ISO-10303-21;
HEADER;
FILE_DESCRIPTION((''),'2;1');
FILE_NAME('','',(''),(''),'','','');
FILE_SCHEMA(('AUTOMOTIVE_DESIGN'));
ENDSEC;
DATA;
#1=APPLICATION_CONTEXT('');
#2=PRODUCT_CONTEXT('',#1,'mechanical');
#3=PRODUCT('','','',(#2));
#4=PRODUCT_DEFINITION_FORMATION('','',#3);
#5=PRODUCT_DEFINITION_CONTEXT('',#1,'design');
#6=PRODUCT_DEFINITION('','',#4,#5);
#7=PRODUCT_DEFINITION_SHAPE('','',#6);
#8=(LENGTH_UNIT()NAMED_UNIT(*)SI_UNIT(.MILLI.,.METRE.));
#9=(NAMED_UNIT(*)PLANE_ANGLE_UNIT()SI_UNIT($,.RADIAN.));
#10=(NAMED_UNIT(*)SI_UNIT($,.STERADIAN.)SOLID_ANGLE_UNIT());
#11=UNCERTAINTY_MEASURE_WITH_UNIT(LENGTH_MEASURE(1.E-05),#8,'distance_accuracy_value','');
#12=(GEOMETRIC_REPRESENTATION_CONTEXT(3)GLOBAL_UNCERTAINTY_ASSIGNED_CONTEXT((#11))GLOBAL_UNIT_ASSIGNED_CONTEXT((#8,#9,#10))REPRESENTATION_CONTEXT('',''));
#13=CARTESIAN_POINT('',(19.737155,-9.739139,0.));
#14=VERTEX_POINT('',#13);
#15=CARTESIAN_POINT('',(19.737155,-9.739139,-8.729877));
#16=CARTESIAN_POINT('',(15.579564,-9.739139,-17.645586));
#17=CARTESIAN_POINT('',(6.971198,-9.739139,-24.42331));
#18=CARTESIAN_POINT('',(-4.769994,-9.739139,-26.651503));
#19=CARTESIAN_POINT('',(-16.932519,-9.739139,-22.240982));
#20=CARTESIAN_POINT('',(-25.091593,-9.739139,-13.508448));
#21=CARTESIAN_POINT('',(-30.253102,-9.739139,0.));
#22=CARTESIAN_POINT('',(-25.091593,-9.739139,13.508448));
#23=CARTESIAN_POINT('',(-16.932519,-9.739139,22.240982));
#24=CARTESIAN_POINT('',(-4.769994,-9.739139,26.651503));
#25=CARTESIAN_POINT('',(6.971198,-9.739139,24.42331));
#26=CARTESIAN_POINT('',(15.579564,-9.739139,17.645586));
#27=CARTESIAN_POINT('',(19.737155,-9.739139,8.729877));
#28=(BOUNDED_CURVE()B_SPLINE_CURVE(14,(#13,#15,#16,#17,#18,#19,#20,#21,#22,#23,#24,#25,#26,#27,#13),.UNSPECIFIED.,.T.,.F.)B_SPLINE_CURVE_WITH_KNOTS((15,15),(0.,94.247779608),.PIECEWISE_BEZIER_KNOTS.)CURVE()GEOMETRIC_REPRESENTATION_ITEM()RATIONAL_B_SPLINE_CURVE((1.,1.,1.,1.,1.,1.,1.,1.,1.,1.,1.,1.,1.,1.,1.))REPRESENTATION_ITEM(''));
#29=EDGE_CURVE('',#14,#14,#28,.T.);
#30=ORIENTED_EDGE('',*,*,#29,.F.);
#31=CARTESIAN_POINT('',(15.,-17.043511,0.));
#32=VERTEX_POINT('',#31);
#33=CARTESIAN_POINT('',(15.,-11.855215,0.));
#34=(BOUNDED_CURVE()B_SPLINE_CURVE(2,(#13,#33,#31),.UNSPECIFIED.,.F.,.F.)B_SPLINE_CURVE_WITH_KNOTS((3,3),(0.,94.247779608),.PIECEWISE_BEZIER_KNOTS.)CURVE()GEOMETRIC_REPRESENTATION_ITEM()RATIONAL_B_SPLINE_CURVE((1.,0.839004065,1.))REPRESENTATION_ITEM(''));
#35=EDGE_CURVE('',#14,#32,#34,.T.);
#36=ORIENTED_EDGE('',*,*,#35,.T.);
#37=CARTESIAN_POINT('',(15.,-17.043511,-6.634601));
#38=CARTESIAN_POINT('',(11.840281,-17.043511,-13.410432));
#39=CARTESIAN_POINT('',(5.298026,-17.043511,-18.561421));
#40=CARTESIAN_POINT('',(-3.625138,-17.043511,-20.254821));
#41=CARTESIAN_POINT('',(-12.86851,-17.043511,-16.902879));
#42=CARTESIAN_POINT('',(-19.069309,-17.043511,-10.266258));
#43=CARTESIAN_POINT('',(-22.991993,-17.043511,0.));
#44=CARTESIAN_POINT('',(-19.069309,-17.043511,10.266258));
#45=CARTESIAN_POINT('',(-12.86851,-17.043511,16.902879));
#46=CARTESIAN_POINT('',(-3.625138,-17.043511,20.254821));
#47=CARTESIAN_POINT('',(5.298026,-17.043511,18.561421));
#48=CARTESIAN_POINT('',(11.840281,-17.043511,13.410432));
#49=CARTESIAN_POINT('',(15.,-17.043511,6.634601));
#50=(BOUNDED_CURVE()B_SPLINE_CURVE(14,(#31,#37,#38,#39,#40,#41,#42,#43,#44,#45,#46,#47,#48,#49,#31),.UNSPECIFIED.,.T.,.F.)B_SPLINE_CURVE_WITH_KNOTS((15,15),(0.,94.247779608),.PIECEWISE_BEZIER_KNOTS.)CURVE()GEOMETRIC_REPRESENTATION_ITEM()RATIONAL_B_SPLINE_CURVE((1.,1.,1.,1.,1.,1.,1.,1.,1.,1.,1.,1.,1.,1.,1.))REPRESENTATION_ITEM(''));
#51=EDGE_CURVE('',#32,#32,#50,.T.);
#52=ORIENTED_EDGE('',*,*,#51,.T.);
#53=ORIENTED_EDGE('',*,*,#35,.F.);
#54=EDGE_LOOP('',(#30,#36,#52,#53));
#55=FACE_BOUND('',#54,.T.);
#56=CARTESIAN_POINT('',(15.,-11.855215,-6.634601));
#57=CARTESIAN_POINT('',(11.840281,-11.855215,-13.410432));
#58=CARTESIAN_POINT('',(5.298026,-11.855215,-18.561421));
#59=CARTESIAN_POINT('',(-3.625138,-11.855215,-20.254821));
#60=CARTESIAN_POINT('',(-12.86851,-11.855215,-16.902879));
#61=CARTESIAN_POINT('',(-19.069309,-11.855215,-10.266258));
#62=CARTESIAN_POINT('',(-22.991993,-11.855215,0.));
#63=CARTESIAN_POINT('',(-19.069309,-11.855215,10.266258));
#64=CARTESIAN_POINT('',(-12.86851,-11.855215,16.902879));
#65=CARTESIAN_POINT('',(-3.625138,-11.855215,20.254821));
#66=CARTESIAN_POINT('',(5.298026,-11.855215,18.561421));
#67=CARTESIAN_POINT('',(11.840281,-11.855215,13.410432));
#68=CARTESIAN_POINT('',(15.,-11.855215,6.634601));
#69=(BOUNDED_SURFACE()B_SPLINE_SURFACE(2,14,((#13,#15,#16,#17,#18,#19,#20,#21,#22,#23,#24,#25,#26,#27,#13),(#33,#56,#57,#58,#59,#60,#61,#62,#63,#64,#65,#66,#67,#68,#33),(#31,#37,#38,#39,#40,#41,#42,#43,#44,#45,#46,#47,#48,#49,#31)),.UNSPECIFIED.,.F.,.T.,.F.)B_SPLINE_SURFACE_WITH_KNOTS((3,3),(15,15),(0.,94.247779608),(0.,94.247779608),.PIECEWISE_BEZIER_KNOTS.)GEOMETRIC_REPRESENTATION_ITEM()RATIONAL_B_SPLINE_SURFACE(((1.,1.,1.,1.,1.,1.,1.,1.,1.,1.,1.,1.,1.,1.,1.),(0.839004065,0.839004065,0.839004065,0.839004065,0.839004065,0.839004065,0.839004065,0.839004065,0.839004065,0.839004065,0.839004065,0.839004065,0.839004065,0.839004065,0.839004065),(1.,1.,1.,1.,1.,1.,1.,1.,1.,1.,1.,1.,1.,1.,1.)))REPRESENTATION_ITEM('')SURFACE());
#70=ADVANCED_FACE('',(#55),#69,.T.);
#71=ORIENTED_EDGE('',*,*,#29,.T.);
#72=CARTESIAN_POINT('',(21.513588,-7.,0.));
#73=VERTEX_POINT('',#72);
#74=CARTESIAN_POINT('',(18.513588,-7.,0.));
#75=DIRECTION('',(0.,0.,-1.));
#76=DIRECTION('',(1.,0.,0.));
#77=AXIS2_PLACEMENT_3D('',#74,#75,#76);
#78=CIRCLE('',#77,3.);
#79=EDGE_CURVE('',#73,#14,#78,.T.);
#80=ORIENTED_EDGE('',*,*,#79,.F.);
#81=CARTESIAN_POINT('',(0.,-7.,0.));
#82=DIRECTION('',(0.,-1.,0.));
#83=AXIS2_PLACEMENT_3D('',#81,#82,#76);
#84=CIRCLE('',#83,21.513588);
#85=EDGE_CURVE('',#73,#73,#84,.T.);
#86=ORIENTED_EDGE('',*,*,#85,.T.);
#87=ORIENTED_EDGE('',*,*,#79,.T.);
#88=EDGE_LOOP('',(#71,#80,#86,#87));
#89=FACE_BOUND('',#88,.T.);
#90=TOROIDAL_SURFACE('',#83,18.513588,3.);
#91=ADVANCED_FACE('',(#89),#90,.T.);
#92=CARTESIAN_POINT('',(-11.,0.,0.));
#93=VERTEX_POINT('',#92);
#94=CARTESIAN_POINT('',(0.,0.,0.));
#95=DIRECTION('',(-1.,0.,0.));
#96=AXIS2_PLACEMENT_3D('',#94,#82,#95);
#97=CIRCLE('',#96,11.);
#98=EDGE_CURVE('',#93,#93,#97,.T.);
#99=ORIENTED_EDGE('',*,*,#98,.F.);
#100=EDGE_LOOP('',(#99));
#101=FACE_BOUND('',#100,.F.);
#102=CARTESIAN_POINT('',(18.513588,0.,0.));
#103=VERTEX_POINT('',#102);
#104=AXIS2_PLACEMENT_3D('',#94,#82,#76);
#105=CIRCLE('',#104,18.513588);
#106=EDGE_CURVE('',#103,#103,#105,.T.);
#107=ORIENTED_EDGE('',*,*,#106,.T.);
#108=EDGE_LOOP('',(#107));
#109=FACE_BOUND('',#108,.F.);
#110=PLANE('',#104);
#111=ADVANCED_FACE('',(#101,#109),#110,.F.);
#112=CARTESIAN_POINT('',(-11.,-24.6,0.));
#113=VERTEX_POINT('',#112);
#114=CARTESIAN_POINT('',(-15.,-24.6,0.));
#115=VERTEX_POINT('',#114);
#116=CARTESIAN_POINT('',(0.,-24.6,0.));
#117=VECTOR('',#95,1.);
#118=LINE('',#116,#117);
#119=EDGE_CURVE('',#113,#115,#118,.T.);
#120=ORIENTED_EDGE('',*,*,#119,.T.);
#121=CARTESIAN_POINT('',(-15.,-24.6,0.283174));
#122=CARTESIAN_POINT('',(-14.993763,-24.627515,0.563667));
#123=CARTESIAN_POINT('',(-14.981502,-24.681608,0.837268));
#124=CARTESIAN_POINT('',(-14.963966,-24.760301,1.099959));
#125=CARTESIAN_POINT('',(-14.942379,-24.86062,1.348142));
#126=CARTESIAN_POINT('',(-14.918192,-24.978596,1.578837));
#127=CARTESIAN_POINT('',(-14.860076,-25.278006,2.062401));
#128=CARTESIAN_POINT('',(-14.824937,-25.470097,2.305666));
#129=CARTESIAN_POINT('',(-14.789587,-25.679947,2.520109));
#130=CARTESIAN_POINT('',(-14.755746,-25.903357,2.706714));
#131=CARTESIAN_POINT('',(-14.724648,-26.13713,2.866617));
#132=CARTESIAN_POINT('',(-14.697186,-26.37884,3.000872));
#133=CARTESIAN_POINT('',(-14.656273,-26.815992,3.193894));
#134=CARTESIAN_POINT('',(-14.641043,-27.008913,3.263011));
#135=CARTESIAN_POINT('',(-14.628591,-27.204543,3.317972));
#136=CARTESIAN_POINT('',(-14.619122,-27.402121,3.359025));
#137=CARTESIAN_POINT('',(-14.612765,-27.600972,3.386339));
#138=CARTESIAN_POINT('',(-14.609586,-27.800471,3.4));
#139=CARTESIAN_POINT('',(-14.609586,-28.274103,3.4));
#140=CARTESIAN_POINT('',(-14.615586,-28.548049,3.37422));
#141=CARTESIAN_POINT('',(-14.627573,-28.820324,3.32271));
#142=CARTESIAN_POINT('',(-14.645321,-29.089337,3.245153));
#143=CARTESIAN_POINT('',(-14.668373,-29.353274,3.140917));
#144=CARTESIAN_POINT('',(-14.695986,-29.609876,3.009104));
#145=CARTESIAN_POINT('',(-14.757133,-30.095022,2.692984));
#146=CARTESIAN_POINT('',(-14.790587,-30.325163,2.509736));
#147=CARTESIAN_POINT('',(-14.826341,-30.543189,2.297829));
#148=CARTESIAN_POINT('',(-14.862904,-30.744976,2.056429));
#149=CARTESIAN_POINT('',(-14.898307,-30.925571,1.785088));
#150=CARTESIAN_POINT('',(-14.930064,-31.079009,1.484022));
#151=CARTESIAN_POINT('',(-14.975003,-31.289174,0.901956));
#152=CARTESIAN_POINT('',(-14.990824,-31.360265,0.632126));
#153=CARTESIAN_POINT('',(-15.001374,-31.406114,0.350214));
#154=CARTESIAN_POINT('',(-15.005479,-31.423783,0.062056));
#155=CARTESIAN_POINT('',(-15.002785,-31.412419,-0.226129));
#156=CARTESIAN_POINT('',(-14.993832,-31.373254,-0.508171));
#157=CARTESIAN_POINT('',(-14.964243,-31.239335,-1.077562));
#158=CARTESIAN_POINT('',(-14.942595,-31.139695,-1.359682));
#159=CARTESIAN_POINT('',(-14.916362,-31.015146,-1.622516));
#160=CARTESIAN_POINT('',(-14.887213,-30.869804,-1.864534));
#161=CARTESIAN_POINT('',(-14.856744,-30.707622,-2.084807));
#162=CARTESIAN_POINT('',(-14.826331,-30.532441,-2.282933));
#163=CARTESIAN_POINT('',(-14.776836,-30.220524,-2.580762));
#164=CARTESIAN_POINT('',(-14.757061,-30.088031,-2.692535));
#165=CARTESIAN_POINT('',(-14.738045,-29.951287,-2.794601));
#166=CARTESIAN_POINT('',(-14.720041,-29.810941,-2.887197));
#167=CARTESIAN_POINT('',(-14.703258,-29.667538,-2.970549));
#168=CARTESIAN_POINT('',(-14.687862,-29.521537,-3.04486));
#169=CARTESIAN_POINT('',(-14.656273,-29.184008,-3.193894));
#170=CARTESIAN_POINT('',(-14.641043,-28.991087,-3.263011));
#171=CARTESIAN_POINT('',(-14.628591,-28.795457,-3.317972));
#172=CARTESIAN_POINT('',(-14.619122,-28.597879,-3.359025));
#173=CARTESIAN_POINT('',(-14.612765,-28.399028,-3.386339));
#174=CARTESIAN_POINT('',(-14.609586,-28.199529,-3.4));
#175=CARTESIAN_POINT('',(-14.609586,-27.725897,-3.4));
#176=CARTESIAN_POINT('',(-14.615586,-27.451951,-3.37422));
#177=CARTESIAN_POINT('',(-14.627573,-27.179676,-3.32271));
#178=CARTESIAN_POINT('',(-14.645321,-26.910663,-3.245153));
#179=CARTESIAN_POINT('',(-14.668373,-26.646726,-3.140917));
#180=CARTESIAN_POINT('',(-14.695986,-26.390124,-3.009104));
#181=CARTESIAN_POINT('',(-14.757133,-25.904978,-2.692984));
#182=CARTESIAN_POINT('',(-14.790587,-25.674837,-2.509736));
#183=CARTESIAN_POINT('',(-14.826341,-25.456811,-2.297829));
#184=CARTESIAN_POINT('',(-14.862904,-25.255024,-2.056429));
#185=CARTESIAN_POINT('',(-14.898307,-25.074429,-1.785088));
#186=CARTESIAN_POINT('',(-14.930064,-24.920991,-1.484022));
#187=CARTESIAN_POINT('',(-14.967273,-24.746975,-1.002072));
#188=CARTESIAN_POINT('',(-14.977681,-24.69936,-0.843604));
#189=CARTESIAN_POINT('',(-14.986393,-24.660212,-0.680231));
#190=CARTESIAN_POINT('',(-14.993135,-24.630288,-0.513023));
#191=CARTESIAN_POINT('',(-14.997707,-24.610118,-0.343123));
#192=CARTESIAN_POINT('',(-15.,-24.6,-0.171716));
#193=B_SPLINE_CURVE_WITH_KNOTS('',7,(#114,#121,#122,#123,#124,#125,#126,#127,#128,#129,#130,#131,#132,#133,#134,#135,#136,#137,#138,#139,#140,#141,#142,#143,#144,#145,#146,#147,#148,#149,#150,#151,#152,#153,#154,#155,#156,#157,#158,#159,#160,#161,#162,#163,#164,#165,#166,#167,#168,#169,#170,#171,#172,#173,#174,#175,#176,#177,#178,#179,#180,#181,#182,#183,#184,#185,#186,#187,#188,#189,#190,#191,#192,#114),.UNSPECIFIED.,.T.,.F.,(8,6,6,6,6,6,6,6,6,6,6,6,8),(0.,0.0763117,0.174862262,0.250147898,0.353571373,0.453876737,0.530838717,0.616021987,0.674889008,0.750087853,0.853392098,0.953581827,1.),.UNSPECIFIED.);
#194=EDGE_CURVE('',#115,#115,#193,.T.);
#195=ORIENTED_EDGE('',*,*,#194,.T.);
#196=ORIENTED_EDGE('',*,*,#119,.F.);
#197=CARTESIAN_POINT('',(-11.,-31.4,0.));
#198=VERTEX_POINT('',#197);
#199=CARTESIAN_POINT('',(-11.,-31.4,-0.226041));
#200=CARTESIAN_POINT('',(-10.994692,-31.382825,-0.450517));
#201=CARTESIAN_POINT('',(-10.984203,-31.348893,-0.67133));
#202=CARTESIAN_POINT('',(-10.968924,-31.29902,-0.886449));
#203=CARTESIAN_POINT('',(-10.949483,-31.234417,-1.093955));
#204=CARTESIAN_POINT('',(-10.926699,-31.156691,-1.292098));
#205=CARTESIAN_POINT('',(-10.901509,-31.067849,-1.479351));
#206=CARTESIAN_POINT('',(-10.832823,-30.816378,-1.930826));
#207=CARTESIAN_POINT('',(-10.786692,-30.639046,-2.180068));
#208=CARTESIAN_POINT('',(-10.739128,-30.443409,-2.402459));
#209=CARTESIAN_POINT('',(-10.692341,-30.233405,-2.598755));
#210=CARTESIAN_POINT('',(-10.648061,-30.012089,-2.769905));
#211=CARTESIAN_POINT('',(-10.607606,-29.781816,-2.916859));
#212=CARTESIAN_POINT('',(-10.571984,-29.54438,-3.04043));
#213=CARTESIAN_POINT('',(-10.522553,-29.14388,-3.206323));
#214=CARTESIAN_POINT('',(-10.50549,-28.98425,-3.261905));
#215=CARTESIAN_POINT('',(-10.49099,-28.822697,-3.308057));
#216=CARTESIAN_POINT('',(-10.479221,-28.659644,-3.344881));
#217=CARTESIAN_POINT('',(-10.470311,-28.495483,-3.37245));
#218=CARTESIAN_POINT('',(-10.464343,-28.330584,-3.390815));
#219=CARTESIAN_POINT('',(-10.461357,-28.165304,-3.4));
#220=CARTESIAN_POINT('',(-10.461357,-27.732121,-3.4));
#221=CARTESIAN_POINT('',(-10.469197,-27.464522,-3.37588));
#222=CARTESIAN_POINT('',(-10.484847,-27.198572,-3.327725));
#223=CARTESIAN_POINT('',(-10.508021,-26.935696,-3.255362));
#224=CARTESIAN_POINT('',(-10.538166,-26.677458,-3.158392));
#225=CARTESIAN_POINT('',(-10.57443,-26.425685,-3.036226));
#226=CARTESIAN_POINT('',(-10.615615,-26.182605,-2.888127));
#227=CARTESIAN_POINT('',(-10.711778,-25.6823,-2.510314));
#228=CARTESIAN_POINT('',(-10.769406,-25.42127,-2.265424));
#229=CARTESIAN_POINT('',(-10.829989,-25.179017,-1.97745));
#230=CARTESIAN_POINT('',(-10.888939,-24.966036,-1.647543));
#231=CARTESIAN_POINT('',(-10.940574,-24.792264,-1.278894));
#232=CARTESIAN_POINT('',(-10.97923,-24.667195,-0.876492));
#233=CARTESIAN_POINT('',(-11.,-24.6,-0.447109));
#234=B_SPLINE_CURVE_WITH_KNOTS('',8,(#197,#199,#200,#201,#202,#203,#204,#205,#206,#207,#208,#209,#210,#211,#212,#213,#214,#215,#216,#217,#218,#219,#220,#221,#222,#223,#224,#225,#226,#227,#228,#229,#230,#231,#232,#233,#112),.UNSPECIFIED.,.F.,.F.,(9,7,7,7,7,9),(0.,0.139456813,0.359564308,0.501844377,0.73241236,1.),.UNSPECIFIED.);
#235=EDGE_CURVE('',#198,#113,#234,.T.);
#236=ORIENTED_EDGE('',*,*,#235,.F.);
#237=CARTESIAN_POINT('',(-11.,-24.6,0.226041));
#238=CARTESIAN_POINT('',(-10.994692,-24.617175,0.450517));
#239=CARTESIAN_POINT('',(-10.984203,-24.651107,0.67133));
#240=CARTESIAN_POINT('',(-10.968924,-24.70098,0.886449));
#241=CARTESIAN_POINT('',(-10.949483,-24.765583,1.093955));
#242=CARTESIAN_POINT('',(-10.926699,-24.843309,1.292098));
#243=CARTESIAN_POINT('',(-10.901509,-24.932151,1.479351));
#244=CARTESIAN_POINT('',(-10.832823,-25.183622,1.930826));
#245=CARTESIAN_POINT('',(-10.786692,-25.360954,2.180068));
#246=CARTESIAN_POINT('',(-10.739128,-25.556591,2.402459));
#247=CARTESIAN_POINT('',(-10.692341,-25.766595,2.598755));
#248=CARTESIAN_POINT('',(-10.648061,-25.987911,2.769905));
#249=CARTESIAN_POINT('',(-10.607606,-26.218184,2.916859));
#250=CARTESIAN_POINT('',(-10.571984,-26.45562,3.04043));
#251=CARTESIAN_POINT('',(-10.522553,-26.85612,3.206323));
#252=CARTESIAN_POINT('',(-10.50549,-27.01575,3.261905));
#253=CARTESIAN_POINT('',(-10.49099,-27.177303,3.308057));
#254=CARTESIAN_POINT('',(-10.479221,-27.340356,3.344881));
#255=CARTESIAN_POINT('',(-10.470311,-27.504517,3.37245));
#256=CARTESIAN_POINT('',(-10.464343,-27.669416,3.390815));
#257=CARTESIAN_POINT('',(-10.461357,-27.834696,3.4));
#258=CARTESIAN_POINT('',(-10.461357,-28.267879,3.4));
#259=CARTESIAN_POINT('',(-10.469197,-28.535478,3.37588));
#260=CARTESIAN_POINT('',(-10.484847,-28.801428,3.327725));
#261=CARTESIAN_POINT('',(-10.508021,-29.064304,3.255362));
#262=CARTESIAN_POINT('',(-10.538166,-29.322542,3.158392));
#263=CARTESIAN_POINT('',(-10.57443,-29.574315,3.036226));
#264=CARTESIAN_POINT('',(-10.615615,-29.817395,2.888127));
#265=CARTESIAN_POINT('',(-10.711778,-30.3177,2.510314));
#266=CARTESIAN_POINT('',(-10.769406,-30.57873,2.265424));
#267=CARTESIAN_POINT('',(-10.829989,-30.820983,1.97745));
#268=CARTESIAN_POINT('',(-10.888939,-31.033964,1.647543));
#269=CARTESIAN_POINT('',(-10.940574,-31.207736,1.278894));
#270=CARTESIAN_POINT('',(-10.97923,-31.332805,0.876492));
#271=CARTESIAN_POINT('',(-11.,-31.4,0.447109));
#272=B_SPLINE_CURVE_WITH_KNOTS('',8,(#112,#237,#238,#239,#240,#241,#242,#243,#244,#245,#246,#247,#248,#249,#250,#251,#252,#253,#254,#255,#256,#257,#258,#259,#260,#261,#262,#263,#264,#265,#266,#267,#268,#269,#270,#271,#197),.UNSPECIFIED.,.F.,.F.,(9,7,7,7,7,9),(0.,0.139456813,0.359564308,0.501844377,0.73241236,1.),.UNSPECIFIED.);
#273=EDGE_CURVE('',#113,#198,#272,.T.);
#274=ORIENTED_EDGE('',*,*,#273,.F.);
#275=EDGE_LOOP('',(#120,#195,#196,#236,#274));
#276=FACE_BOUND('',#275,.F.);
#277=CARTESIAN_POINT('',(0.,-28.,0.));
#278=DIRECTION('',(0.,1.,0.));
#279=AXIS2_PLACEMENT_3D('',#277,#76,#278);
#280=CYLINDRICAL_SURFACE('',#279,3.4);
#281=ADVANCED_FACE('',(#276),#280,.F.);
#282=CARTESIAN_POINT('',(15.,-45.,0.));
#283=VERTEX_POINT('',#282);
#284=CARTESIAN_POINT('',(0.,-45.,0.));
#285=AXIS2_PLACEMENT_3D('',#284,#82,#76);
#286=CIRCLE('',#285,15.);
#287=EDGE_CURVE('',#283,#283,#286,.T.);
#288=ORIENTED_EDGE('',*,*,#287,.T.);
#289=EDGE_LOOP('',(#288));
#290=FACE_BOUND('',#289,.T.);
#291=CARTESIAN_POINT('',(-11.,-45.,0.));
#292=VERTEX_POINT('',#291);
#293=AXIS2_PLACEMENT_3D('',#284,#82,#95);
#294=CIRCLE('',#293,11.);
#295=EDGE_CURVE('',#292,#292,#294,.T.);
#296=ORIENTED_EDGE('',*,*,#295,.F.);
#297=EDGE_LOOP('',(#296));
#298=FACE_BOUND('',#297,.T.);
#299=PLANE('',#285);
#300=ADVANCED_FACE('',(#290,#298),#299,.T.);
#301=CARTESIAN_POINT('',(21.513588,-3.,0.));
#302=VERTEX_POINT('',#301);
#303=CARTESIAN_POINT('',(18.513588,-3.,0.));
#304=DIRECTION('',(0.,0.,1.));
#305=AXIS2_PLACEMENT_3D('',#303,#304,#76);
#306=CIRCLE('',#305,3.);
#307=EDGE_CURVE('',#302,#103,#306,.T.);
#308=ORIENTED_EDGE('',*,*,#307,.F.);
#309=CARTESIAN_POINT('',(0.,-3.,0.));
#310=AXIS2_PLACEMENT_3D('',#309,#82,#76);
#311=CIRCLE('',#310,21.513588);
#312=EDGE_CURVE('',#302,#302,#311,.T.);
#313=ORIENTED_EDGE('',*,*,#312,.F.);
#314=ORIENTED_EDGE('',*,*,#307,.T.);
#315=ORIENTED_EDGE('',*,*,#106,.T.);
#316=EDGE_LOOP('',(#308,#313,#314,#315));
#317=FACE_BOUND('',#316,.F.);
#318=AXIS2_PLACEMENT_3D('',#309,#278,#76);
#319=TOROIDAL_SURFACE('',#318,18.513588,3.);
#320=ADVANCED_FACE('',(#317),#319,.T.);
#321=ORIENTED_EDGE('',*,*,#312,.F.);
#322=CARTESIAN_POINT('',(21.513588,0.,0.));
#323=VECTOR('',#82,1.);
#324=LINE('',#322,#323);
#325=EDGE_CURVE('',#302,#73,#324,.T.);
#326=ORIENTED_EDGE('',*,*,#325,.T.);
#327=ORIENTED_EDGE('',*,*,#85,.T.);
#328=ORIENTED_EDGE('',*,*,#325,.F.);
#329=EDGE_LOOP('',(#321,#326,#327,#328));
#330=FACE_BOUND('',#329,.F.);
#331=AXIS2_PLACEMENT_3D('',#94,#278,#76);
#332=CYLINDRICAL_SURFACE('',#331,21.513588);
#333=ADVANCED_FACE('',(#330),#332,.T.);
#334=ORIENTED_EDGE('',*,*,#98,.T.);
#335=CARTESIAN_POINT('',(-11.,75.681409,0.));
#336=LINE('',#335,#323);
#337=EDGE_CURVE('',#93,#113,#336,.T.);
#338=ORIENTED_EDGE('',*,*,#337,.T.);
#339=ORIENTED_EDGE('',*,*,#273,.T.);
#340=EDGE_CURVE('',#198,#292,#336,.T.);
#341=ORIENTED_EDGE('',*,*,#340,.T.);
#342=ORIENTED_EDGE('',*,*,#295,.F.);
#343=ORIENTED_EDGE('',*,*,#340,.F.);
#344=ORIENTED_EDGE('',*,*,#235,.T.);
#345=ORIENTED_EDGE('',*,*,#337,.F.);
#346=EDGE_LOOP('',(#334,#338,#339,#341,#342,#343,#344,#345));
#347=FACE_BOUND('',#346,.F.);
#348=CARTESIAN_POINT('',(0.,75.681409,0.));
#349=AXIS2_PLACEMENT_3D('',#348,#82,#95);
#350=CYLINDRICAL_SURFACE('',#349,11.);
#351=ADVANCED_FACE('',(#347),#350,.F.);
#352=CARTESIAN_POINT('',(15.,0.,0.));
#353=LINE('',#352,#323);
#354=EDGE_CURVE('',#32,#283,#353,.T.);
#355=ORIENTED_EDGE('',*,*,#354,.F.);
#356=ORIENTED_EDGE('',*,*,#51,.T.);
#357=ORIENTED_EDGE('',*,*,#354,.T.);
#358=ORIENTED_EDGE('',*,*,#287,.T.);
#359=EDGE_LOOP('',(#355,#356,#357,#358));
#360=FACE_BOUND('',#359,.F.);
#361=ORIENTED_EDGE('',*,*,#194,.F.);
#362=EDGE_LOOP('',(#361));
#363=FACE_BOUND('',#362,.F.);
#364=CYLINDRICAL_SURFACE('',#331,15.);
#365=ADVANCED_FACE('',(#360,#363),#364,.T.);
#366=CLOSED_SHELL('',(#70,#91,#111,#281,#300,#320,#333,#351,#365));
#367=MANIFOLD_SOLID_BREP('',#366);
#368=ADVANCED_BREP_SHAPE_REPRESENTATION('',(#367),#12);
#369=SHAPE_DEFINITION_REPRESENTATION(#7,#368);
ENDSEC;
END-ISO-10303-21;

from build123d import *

# Parameters (mm, degrees)
F0_R     = 15
F1_DEPTH = 45
F2_R     = 21.5135879258
F3_DEPTH = 10
F4_D     = 22
F6_D     = 6.8
F6_DEPTH = 21.5145879258
F7_R     = 3
F8_R     = 8


with BuildPart() as f1:
    # F0 (on Front) → F1 (new body)
    with BuildSketch(Plane.XZ):
        Circle(F0_R)
    extrude(amount=F1_DEPTH)

    # F2 (on Front) → F3 (join)
    with BuildSketch(Plane.XZ):
        Circle(F2_R)
    extrude(amount=F3_DEPTH)

    # F4 (through all)
    with Locations(Plane(origin=(0, 0, 0), x_dir=(1, 0, 0), z_dir=(0, 1, 0))):
        with Locations((0, 0)):
            Hole(F4_D / 2)

    # F6 (through all, one way)
    with BuildSketch(Plane.YZ):
        with Locations((-28, 0)):
            Circle(F6_D / 2)
    extrude(amount=-F6_DEPTH, mode=Mode.SUBTRACT)

    # F7
    f7_edges = [f1.edges().sort_by_distance(p)[0] for p in [
        (21.513588, -5, 0),
        (-21.513588, 0, 0),
        (-21.513588, -10, 0),
    ]]
    fillet(f7_edges, radius=F7_R)

    # F8
    f8_edges = [f1.edges().sort_by_distance(p)[0] for p in [
        (-15, -10, 0),
    ]]
    fillet(f8_edges, radius=F8_R)


solid = f1.part
